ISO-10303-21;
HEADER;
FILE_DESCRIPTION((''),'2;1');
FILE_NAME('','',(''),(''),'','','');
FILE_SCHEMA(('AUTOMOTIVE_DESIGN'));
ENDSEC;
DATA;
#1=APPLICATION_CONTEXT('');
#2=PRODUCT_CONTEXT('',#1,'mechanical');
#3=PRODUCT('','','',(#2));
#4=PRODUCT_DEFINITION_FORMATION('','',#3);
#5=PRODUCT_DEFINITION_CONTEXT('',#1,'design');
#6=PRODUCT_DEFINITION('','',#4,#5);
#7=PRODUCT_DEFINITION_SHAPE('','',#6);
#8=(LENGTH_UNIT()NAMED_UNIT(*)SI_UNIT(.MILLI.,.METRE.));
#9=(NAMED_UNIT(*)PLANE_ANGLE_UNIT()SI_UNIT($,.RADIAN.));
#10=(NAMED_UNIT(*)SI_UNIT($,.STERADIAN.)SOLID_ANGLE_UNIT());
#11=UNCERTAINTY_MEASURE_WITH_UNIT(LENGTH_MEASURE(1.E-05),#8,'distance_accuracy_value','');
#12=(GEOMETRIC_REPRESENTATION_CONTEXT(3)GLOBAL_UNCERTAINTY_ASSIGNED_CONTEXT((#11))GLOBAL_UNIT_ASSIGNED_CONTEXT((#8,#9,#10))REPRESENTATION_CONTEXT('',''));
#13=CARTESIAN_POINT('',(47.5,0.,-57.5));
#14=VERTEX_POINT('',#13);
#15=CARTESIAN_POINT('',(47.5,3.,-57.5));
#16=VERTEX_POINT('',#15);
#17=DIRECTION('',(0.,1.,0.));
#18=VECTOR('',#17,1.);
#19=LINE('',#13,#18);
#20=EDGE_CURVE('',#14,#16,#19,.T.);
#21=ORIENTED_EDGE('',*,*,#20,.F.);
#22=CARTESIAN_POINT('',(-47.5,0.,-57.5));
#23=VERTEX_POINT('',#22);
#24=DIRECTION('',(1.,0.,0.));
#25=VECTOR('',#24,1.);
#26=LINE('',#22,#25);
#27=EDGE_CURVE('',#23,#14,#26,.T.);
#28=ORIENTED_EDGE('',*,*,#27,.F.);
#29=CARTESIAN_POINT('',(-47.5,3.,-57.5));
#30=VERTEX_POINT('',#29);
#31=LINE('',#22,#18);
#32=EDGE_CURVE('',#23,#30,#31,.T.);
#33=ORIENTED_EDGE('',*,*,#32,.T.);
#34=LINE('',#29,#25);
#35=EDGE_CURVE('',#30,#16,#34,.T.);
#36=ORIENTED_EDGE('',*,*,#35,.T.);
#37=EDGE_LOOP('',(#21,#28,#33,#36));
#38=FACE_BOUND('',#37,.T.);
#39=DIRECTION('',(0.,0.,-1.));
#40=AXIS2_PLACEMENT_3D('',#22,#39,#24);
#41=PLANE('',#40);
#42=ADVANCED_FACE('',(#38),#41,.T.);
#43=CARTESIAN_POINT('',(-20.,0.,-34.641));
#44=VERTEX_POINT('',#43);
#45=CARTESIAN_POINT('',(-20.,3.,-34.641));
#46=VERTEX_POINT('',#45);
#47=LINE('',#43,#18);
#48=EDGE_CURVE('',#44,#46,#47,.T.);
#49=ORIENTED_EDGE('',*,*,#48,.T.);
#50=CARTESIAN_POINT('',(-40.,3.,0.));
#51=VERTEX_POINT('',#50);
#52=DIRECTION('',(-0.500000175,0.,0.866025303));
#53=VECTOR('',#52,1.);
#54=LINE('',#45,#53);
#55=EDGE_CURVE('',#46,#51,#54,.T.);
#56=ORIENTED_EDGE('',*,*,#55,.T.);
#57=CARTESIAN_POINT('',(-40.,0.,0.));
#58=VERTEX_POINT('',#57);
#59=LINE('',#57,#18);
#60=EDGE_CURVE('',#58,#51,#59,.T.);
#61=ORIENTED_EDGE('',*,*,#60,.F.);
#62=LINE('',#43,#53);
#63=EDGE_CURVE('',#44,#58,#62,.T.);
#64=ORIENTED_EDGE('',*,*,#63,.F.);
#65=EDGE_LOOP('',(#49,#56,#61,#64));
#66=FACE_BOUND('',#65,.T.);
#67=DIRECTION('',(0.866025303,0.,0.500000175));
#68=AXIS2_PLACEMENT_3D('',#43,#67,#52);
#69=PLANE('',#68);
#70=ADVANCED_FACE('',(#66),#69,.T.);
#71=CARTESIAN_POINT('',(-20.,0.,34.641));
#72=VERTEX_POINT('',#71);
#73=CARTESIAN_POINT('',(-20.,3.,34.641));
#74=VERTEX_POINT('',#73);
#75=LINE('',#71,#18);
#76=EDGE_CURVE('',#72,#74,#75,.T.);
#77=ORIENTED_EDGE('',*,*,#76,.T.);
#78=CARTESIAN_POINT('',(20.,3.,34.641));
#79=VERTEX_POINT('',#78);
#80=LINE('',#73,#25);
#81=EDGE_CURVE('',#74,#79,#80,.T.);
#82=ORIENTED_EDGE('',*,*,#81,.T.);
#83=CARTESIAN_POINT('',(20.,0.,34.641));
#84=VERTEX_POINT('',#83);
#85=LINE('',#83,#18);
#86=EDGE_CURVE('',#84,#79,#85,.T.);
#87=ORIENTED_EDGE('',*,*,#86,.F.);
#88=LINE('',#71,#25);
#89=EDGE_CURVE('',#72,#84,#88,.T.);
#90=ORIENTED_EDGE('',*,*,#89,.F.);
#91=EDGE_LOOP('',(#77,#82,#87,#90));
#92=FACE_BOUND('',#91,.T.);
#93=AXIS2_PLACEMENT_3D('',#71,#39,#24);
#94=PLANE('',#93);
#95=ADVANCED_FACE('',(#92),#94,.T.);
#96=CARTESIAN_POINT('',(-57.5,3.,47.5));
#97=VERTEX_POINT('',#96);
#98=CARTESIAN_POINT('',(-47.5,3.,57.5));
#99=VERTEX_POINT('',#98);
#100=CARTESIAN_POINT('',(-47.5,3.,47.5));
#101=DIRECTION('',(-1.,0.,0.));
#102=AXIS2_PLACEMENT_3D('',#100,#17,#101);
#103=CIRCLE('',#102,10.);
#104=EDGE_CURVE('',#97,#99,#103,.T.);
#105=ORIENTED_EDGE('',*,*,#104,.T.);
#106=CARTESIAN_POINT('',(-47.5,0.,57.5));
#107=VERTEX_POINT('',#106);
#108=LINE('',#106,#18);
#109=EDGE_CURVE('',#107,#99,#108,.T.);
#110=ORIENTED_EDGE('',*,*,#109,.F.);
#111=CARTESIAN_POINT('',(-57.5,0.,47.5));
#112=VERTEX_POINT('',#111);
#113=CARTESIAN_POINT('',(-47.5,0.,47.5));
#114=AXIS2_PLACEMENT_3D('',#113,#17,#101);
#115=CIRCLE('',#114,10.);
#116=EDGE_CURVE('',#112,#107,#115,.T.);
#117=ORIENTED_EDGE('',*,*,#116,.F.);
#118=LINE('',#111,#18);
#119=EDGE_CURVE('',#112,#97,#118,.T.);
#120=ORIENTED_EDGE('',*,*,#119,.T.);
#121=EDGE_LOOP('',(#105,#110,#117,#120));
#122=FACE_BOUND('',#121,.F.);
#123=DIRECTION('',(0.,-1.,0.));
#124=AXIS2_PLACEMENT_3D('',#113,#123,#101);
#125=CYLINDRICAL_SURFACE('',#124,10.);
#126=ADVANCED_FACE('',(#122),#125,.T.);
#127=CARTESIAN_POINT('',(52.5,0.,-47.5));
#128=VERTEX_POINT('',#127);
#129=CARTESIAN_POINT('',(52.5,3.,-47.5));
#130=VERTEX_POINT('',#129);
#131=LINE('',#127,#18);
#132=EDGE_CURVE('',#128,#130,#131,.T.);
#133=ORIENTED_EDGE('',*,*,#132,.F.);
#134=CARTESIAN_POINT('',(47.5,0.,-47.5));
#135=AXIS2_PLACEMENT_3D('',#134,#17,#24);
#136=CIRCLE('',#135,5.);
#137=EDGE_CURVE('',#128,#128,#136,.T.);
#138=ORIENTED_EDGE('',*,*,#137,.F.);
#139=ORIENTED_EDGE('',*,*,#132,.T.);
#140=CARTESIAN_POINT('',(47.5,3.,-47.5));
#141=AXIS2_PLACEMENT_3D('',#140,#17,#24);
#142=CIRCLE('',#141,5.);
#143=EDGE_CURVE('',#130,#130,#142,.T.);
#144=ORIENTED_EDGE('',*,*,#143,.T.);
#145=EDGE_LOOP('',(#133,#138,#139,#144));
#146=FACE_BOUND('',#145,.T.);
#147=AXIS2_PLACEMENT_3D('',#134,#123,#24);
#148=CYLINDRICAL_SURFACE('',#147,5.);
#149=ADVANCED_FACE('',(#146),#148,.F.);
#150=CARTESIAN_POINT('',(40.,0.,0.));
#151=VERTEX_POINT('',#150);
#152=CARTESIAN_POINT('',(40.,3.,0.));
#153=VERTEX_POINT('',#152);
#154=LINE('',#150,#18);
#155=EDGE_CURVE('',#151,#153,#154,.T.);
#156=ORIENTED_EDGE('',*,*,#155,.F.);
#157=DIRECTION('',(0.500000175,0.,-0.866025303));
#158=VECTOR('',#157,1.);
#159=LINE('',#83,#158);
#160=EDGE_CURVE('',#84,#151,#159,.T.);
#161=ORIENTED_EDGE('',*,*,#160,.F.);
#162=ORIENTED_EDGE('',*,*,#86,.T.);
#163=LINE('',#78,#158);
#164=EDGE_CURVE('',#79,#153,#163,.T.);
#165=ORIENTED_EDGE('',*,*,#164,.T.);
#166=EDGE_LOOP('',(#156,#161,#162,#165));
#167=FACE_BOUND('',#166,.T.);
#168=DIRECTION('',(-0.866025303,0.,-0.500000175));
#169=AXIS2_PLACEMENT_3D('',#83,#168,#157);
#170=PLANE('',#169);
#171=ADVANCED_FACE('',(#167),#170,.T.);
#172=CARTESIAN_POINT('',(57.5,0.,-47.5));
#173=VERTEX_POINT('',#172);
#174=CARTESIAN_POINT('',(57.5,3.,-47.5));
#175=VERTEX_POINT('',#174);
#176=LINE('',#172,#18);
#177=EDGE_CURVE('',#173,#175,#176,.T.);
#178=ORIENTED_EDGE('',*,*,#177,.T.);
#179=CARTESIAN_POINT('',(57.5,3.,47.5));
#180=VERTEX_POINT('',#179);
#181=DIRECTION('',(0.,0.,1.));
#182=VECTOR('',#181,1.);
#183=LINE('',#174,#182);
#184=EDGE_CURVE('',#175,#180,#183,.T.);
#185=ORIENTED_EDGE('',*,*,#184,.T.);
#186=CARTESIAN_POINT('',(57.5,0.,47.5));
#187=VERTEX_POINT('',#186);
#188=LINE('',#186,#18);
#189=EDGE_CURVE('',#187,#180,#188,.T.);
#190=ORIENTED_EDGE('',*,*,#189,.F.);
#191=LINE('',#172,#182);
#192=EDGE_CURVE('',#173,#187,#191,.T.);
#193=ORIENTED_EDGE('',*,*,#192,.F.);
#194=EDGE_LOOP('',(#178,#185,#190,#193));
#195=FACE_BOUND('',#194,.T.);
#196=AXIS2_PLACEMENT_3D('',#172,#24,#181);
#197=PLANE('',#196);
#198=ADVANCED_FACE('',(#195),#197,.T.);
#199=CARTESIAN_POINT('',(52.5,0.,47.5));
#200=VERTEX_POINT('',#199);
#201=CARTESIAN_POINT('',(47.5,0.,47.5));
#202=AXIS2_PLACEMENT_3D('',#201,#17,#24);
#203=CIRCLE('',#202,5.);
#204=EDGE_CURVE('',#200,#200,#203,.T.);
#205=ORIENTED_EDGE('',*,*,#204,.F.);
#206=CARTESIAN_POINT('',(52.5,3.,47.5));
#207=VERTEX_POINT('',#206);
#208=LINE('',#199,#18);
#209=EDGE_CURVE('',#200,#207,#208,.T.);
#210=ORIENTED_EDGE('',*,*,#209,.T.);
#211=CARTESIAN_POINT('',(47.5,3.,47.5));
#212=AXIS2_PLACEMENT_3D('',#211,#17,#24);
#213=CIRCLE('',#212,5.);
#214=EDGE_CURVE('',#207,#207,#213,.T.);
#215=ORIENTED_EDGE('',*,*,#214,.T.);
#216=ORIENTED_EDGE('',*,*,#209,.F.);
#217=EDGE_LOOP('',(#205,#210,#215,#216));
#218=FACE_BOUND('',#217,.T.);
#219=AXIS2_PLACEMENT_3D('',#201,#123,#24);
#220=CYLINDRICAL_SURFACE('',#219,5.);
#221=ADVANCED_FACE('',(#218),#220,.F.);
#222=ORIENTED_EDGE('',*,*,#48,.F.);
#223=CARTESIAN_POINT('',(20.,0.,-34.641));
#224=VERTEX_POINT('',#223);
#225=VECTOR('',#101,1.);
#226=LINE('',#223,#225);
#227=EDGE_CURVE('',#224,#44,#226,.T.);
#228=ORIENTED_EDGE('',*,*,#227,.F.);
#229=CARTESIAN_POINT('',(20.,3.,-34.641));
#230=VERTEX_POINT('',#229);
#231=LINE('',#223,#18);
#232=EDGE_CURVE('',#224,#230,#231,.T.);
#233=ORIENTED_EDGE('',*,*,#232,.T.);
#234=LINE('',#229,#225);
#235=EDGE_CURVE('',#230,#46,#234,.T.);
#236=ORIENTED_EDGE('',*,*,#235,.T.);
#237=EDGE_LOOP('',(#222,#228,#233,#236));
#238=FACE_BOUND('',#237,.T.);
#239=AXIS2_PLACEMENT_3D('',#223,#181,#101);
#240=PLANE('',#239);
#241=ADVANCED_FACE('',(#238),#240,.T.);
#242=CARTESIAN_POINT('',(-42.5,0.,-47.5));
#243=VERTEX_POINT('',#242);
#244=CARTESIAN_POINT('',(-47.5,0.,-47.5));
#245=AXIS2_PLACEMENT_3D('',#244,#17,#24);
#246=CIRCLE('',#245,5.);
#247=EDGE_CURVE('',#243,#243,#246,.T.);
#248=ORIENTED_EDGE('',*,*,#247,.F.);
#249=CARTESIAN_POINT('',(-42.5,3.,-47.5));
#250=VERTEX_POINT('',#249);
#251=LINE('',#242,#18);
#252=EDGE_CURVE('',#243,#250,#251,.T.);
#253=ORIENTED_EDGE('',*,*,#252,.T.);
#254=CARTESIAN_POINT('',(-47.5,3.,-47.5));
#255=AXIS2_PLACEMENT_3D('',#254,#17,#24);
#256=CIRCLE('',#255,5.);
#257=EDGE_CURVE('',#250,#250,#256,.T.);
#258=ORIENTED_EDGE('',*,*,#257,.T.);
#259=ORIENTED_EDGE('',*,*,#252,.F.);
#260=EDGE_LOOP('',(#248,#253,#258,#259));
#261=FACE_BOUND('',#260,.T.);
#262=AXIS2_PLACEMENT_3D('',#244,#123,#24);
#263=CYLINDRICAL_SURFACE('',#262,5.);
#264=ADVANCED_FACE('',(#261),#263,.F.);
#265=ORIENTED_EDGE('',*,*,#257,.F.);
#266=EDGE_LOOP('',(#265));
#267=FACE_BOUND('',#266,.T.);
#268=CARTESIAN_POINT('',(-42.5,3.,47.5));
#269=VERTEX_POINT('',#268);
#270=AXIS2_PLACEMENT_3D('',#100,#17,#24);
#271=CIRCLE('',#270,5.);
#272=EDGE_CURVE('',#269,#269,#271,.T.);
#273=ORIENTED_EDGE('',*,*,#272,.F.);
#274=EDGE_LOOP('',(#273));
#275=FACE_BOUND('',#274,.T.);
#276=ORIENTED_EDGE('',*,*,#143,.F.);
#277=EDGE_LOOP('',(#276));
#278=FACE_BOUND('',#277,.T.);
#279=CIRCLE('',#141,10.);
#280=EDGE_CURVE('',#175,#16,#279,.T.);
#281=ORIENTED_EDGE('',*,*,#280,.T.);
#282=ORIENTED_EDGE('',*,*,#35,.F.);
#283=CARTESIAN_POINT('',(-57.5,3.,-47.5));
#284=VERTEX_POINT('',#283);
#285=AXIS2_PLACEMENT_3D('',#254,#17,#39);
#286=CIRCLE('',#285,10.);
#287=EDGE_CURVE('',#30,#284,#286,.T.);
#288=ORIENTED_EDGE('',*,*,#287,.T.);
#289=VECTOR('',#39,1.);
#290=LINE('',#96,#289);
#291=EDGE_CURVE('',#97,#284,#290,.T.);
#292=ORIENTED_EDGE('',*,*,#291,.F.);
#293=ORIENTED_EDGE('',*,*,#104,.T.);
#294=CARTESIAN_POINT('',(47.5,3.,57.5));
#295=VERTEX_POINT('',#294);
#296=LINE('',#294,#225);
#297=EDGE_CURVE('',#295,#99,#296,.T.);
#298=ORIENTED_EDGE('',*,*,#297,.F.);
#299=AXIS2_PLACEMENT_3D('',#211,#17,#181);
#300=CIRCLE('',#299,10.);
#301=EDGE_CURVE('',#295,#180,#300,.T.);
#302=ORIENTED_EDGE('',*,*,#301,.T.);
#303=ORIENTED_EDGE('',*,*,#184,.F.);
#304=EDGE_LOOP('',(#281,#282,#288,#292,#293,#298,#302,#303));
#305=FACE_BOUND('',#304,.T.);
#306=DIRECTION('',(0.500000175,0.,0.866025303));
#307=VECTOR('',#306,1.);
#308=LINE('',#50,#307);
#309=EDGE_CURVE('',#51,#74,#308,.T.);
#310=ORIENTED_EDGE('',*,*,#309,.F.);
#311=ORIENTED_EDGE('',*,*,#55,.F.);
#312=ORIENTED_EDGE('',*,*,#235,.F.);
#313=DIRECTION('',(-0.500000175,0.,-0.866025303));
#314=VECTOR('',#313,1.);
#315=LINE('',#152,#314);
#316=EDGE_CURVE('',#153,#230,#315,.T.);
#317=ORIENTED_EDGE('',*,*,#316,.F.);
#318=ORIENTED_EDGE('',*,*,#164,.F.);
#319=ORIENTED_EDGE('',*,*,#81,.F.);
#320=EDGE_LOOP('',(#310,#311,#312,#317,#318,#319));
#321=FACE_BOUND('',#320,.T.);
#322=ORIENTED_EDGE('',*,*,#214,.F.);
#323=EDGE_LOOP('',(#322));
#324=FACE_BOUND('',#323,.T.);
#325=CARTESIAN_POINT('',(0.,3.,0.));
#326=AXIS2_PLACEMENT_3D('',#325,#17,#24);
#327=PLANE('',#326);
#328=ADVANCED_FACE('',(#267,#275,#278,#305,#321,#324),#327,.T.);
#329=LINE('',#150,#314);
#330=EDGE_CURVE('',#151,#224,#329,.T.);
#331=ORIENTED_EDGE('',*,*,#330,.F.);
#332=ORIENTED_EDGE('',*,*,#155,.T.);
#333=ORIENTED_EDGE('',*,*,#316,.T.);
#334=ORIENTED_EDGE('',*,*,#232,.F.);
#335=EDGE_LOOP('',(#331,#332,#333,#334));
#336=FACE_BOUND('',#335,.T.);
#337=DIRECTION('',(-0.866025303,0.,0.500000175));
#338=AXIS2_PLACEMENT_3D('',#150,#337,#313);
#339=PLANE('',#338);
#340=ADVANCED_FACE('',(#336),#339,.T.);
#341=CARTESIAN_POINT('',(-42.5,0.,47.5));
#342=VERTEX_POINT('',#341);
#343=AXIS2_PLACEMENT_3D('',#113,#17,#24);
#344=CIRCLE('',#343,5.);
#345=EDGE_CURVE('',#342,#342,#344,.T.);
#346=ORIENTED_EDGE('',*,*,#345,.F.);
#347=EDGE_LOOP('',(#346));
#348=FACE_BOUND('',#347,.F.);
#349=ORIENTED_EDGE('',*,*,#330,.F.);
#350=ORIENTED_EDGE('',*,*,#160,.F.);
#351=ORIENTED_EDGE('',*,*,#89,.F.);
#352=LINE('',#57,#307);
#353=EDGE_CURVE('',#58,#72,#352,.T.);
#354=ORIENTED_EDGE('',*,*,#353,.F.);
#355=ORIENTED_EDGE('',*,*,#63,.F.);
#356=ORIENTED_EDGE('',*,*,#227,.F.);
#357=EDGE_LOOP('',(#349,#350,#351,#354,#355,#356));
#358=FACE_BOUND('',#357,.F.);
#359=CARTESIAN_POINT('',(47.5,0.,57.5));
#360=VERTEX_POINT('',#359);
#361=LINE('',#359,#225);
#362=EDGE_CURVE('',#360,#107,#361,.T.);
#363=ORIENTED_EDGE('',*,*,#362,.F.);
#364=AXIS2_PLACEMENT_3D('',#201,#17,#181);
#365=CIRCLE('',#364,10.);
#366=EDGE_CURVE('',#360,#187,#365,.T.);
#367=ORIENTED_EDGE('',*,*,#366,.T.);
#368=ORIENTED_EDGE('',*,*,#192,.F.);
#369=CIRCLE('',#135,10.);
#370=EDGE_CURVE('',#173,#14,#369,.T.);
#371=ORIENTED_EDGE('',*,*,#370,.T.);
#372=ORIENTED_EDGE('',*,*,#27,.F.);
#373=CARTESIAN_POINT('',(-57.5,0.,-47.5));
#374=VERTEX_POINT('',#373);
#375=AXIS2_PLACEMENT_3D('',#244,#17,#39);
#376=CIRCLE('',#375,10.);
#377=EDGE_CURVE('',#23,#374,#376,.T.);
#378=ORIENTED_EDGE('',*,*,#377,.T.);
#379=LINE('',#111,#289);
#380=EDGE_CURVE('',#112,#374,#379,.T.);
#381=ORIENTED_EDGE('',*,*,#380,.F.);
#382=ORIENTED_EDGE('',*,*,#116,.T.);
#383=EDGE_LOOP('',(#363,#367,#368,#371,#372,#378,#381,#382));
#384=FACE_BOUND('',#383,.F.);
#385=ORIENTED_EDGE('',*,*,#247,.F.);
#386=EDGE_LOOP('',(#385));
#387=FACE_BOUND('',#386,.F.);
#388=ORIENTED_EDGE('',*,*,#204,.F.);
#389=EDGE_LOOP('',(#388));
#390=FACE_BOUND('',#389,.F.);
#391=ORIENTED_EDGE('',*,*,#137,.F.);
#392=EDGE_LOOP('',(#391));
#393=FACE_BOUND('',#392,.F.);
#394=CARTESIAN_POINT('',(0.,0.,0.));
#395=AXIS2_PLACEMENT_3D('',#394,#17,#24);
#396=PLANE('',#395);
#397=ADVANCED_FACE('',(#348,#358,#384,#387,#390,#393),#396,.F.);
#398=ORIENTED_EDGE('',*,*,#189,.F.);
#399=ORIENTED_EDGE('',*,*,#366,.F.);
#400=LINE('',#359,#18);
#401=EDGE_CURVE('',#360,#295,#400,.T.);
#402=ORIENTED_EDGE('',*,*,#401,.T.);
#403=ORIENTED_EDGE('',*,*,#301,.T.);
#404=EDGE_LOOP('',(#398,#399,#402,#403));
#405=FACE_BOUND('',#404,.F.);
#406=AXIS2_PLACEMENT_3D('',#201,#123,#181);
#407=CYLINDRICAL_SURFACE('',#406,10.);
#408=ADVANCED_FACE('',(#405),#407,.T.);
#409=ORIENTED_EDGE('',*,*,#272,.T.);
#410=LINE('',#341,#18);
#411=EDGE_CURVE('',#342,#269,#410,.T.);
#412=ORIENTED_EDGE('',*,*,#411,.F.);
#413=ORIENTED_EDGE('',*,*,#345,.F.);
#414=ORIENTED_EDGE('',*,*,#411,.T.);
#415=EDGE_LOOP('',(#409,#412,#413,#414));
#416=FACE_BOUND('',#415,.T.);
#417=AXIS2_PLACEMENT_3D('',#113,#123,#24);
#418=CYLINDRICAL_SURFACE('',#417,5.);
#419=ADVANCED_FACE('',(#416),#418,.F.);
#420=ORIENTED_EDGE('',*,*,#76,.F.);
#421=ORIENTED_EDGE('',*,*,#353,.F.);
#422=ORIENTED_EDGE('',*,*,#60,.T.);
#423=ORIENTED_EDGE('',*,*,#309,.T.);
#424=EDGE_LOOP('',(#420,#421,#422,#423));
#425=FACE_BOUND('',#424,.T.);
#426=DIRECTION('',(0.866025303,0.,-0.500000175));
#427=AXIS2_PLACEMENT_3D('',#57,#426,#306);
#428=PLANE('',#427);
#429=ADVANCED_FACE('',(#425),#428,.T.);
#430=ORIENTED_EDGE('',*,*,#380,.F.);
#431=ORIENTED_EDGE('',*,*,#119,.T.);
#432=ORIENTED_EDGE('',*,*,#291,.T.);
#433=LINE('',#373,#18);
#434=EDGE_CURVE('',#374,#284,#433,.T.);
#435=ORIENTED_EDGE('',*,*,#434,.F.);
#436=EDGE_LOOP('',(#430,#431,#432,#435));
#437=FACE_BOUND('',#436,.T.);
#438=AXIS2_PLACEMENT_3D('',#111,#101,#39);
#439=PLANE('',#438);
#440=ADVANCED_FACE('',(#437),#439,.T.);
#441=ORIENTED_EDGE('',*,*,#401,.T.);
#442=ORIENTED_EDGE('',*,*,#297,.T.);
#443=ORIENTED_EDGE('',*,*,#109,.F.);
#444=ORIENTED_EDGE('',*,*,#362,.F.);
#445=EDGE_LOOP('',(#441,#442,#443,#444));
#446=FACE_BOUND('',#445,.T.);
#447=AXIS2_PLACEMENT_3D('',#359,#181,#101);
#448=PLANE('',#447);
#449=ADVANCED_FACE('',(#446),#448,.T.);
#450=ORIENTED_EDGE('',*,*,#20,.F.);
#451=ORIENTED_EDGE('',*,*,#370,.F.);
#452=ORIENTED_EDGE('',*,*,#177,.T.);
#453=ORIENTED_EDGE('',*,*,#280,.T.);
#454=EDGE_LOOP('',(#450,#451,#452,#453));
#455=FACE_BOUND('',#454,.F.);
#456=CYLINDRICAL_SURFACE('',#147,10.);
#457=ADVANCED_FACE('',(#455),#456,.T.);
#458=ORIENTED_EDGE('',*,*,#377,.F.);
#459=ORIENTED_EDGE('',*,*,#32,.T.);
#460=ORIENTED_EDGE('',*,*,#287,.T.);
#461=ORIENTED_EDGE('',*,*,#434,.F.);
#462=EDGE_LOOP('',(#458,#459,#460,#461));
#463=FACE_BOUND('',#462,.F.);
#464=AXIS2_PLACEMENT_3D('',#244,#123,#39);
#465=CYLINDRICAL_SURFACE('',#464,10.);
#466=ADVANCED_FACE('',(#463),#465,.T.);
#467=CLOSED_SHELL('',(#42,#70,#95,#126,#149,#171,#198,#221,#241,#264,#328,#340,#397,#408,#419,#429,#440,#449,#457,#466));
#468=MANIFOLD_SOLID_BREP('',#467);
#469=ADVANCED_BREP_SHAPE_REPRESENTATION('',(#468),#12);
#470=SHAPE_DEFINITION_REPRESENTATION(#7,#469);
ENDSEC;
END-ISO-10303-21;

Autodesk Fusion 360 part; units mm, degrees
sketch "Sketch1" plane through (0, 0, 0) normal (0, 1, 0) x (1, 0, 0)
  line L0 (47.5, -57.5) -> (-47.5, -57.5)
  line L1 (-57.5, -47.5) -> (-57.5, 47.5)
  line L2 (-47.5, 57.5) -> (47.5, 57.5)
  line L3 (57.5, 47.5) -> (57.5, -47.5)
  line L4 (57.5, -57.5) -> (-57.5, 57.5) construction
  line L5 (-57.5, -57.5) -> (57.5, 57.5) construction
  arc A0 (57.5, 47.5) -> (47.5, 57.5) centre (47.5, 47.5) ccw
  arc A1 (47.5, -57.5) -> (57.5, -47.5) centre (47.5, -47.5) ccw
  arc A2 (-57.5, -47.5) -> (-47.5, -57.5) centre (-47.5, -47.5) ccw
  arc A3 (-47.5, 57.5) -> (-57.5, 47.5) centre (-47.5, 47.5) ccw
  circle A4 centre (-47.5, 47.5) radius 5
  circle A5 centre (47.5, 47.5) radius 5
  circle A6 centre (47.5, -47.5) radius 5
  circle A7 centre (-47.5, -47.5) radius 5
  line L6 (40, 0) -> (20, 34.641)
  line L7 (20, 34.641) -> (-20, 34.641)
  line L8 (-20, 34.641) -> (-40, 0)
  line L9 (-40, 0) -> (-20, -34.641)
  line L10 (-20, -34.641) -> (20, -34.641)
  line L11 (20, -34.641) -> (40, 0)
  dimension "d1" = 115
  dimension "d2" = 115
  dimension "d3" = 10
  dimension "d4" = 10
  dimension "d5" = 10
  dimension "d6" = 10
  dimension "d7" = 10
  dimension "d8" = 10
  dimension "d9" = 40
extrude "Extrude1" add sketch "Sketch1" along normal blind 3
